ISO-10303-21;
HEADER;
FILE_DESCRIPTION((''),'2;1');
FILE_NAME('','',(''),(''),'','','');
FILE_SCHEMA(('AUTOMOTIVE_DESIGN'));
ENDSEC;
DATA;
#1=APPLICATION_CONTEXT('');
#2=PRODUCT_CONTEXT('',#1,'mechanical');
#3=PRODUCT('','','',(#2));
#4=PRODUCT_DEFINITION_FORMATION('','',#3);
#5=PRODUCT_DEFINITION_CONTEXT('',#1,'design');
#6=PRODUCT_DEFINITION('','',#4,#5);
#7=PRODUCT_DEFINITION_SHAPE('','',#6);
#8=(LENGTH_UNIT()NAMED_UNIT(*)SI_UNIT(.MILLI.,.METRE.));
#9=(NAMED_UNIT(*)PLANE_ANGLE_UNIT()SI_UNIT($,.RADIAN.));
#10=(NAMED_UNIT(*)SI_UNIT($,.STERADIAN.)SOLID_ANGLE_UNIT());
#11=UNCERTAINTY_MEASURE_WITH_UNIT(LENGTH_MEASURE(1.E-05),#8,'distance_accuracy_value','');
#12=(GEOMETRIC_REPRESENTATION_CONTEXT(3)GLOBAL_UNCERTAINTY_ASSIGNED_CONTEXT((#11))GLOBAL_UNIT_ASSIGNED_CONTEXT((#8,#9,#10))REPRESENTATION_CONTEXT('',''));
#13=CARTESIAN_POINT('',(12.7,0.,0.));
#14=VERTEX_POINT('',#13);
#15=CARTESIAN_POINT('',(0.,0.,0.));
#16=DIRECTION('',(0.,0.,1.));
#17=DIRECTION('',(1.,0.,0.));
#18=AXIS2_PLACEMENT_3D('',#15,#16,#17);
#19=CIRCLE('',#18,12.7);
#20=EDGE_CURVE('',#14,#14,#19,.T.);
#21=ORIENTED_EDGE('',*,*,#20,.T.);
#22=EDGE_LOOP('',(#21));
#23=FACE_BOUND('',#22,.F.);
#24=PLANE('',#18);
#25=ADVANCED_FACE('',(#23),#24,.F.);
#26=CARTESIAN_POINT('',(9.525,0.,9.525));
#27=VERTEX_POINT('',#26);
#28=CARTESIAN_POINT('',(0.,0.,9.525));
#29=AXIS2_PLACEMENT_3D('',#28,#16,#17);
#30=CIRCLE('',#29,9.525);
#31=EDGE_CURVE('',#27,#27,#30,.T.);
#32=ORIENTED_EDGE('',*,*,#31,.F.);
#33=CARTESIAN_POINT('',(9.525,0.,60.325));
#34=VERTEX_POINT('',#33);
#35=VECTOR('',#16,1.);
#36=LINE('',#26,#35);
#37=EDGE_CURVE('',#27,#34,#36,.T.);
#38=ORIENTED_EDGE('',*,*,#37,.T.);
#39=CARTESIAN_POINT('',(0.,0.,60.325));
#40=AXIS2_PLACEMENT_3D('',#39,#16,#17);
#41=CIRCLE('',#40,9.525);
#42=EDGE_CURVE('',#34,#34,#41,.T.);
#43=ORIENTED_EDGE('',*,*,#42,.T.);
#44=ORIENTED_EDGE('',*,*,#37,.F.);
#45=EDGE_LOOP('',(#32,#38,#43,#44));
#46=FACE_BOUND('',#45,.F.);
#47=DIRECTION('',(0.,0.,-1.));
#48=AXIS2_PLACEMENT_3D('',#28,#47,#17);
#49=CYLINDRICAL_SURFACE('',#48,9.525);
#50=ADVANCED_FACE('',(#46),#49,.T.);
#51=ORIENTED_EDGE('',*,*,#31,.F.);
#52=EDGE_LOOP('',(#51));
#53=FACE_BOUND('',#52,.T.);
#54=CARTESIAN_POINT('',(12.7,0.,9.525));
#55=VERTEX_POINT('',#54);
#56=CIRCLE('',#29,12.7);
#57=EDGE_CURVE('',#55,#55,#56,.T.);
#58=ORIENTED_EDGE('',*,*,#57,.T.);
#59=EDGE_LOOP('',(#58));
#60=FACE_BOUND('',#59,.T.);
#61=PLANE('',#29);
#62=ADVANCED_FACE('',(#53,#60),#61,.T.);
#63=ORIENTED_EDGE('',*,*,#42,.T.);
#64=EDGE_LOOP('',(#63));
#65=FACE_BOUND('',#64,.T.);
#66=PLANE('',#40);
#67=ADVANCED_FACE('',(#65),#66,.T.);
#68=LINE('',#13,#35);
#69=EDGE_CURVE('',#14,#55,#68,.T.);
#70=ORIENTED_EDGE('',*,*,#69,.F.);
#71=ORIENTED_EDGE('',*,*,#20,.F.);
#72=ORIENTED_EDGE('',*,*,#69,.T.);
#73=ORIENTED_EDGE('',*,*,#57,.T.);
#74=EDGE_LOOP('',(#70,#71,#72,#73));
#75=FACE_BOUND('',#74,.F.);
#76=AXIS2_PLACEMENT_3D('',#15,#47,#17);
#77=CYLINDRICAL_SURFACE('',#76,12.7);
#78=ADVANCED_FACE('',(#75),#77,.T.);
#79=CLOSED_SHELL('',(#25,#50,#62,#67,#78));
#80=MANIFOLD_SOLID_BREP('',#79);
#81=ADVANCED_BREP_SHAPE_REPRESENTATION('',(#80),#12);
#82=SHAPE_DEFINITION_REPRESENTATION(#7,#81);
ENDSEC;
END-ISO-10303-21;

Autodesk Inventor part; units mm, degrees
ref_plane "YZ Plane" through (0, 0, 0) normal (1, 0, 0) x (0, 1, 0)
ref_plane "XZ Plane" through (0, 0, 0) normal (0, 1, 0) x (-1, 0, 0)
ref_plane "XY Plane" through (0, 0, 0) normal (0, 0, 1) x (1, 0, 0)
sketch "Sketch1" plane through (0, 0, 0) normal (0, 0, 1) x (1, 0, 0)
  circle A0 centre (0, 0) radius 12.7
  dimension "d0" = 25.4
extrude "Extrusion1" add sketch "Sketch1" along normal blind 9.525
sketch "Sketch2" plane through (0, 0, 9.525) normal (0, 0, 1) x (1, 0, 0)
  circle A0 centre (0, 0) radius 9.525
  dimension "d3" = 19.05
extrude "Extrusion2" add sketch "Sketch2" along normal blind 50.8
properties part number "camPost"
